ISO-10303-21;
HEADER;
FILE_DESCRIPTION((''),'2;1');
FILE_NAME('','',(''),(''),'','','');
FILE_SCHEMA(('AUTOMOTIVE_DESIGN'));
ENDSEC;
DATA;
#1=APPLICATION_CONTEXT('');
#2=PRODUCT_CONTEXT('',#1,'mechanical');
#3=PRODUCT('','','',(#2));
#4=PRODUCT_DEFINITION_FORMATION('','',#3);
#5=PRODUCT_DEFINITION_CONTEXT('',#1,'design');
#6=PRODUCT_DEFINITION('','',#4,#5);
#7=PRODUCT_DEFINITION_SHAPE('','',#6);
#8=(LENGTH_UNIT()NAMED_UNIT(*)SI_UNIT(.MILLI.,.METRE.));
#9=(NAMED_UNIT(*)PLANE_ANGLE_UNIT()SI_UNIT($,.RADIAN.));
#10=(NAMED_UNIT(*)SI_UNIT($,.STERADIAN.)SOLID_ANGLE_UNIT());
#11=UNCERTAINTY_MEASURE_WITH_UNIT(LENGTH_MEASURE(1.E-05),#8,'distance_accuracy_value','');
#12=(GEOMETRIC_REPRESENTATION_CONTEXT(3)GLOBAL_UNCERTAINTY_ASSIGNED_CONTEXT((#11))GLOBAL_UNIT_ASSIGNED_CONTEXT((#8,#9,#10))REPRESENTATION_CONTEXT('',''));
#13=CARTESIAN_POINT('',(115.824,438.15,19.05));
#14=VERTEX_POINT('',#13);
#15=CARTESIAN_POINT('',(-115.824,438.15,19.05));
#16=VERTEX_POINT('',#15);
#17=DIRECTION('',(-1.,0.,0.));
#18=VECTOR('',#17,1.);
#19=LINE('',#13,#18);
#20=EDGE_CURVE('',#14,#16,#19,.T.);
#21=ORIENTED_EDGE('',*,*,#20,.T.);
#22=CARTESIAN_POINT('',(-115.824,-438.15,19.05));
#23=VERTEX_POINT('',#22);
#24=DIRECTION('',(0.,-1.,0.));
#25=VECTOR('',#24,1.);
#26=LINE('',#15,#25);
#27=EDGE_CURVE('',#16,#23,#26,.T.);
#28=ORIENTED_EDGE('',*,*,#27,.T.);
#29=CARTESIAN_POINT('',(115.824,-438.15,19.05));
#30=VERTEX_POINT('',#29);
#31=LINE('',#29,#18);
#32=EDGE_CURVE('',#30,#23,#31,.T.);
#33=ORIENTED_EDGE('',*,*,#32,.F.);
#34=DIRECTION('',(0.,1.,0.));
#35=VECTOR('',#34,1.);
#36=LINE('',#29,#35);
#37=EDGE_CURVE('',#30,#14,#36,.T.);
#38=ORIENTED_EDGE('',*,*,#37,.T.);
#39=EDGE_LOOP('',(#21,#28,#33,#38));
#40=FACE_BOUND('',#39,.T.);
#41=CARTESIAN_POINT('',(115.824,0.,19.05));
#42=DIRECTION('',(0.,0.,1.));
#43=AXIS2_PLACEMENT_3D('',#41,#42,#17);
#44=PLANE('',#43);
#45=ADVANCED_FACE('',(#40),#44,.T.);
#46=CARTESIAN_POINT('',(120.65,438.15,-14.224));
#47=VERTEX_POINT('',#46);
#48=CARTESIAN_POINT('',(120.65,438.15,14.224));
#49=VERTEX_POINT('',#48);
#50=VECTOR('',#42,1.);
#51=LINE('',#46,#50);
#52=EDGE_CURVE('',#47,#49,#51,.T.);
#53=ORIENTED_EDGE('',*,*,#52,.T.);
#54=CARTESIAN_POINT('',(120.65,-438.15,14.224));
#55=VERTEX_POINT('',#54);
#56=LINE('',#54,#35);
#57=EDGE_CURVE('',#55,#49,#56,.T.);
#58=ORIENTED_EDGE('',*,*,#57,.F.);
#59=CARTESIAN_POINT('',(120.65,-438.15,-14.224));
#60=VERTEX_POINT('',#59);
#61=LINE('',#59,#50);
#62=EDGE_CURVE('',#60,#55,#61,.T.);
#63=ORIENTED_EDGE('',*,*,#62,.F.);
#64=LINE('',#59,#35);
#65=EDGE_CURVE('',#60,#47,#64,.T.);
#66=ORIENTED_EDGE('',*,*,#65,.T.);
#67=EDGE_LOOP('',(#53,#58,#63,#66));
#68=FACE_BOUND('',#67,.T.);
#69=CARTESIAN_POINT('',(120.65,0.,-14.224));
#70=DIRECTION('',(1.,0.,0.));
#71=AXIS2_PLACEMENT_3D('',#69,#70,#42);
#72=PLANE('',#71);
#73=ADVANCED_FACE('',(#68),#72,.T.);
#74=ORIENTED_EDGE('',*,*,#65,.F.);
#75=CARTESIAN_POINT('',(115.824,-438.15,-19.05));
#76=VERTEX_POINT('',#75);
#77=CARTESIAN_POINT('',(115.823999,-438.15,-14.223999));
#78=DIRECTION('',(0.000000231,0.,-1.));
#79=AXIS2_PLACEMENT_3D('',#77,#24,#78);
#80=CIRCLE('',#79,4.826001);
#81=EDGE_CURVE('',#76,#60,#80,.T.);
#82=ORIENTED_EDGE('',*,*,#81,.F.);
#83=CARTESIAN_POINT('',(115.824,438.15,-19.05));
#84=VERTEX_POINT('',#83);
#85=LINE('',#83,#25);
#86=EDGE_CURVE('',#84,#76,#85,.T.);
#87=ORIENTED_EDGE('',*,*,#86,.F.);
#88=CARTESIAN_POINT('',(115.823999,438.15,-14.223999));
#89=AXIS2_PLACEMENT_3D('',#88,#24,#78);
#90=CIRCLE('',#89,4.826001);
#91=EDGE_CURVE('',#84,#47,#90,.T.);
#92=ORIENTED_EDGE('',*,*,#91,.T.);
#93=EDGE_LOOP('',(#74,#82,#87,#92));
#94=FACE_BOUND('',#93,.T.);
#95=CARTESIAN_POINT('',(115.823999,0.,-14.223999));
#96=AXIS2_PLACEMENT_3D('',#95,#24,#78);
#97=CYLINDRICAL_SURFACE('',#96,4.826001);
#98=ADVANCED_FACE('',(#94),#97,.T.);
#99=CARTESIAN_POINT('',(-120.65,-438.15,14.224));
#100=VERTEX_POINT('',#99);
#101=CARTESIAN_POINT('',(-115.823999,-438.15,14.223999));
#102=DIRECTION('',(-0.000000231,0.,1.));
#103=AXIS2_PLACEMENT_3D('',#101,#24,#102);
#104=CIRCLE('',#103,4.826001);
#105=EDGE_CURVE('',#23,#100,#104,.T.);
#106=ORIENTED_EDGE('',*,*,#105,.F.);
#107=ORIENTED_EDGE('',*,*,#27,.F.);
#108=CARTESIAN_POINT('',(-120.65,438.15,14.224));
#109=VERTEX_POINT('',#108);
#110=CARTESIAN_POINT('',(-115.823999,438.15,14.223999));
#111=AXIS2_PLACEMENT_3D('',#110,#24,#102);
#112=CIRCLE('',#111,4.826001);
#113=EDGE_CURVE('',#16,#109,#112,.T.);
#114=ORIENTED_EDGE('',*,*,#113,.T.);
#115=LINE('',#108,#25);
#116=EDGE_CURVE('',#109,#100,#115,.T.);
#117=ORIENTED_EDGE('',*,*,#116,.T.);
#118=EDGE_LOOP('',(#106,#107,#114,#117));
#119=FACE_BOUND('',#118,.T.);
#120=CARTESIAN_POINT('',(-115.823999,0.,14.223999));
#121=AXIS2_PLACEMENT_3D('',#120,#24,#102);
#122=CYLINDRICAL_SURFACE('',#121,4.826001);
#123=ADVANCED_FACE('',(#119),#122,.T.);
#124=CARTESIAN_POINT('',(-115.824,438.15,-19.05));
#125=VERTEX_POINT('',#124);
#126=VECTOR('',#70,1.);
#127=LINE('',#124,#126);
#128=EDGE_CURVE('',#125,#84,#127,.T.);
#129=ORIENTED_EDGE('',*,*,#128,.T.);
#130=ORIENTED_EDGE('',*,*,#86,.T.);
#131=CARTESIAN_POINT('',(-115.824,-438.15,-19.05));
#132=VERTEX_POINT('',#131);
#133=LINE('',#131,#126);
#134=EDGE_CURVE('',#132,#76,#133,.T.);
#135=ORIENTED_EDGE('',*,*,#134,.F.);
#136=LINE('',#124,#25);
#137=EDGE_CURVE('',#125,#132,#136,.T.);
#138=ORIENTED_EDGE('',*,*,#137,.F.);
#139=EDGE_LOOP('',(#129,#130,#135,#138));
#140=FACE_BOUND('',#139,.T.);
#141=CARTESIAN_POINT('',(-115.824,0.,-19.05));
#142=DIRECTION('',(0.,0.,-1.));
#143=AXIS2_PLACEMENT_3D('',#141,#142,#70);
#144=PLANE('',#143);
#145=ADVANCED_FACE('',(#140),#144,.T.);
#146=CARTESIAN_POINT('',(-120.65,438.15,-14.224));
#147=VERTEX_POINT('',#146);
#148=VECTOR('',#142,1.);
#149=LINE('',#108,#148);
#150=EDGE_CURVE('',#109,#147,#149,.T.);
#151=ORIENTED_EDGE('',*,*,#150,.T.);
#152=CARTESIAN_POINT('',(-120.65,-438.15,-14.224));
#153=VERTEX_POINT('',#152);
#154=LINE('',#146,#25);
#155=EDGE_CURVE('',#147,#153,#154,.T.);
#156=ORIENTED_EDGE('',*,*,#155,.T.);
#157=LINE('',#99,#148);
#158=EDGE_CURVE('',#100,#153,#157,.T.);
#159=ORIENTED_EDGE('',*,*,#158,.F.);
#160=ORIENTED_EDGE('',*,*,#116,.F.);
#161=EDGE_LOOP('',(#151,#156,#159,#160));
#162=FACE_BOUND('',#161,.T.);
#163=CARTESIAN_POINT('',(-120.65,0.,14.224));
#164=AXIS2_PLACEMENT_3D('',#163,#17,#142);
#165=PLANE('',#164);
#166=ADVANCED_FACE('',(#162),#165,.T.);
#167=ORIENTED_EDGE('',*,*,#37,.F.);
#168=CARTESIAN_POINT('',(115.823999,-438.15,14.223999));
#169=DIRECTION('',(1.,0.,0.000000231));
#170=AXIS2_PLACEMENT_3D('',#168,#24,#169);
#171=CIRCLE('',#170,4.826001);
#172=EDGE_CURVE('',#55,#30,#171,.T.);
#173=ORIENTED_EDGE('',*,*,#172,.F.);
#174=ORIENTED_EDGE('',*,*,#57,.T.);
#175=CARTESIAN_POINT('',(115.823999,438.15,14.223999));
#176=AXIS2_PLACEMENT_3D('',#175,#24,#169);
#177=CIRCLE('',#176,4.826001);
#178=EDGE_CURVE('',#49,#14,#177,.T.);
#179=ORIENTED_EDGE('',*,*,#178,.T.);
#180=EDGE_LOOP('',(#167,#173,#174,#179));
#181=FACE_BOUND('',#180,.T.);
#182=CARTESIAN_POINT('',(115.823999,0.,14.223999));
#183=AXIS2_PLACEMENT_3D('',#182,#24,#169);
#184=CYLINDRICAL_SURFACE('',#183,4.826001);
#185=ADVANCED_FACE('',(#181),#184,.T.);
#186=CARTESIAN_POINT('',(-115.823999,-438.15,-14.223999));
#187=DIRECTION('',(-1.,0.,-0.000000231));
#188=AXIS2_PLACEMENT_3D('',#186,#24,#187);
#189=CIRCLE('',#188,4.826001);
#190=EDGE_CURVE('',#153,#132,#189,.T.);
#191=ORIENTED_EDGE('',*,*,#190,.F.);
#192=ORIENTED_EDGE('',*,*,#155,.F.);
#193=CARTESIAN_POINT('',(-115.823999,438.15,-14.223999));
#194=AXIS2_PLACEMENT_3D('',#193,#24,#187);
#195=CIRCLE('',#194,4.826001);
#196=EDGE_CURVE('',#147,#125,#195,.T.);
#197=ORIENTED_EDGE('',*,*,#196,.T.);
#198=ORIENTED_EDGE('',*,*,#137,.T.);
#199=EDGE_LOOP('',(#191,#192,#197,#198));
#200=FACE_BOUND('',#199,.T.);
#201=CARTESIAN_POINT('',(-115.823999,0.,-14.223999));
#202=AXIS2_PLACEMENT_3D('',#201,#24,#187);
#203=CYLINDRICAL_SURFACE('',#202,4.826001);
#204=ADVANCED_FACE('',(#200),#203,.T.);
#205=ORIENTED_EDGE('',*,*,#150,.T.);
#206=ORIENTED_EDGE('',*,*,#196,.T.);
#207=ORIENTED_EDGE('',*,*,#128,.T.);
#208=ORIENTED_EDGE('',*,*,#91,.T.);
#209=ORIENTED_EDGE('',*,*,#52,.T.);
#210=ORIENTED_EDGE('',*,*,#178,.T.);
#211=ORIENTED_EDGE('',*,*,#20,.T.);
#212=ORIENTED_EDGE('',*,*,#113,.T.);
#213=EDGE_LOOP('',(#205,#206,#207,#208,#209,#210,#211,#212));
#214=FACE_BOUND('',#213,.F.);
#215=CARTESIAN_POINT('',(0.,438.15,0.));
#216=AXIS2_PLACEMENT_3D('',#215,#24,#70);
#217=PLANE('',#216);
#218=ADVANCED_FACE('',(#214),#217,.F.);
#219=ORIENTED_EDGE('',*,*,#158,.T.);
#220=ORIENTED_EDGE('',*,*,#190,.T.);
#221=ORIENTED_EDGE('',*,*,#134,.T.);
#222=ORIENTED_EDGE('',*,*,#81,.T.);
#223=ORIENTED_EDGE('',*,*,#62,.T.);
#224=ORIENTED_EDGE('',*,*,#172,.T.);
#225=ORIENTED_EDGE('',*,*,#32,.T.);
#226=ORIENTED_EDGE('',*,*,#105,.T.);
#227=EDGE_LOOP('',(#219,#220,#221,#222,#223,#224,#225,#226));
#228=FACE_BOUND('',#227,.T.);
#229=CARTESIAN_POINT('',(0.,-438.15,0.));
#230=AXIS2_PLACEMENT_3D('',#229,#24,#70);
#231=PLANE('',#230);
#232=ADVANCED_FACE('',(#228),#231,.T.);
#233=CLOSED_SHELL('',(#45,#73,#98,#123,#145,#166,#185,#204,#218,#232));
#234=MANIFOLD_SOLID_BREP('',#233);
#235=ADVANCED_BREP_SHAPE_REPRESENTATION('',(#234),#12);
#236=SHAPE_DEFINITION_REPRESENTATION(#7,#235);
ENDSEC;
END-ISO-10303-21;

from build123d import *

# Parameters (mm, degrees)
F1_DEPTH = 438.15


with BuildPart() as f1:
    # F0 (on Front) → F1 (new body, symmetric)
    with BuildSketch(Plane.XZ):
        with BuildLine():
            Line((115.824, 19.05), (-115.824, 19.05))
            ThreePointArc((-115.824, 19.05), (-119.236497, 17.636497), (-120.65, 14.224))
            Line((-120.65, 14.224), (-120.65, -14.224))
            ThreePointArc((-120.65, -14.224), (-119.236497, -17.636497), (-115.824, -19.05))
            Line((-115.824, -19.05), (115.824, -19.05))
            ThreePointArc((115.824, -19.05), (119.236497, -17.636497), (120.65, -14.224))
            Line((120.65, -14.224), (120.65, 14.224))
            ThreePointArc((120.65, 14.224), (119.236497, 17.636497), (115.824, 19.05))
        make_face()
    extrude(amount=F1_DEPTH, both=True)


solid = f1.part
